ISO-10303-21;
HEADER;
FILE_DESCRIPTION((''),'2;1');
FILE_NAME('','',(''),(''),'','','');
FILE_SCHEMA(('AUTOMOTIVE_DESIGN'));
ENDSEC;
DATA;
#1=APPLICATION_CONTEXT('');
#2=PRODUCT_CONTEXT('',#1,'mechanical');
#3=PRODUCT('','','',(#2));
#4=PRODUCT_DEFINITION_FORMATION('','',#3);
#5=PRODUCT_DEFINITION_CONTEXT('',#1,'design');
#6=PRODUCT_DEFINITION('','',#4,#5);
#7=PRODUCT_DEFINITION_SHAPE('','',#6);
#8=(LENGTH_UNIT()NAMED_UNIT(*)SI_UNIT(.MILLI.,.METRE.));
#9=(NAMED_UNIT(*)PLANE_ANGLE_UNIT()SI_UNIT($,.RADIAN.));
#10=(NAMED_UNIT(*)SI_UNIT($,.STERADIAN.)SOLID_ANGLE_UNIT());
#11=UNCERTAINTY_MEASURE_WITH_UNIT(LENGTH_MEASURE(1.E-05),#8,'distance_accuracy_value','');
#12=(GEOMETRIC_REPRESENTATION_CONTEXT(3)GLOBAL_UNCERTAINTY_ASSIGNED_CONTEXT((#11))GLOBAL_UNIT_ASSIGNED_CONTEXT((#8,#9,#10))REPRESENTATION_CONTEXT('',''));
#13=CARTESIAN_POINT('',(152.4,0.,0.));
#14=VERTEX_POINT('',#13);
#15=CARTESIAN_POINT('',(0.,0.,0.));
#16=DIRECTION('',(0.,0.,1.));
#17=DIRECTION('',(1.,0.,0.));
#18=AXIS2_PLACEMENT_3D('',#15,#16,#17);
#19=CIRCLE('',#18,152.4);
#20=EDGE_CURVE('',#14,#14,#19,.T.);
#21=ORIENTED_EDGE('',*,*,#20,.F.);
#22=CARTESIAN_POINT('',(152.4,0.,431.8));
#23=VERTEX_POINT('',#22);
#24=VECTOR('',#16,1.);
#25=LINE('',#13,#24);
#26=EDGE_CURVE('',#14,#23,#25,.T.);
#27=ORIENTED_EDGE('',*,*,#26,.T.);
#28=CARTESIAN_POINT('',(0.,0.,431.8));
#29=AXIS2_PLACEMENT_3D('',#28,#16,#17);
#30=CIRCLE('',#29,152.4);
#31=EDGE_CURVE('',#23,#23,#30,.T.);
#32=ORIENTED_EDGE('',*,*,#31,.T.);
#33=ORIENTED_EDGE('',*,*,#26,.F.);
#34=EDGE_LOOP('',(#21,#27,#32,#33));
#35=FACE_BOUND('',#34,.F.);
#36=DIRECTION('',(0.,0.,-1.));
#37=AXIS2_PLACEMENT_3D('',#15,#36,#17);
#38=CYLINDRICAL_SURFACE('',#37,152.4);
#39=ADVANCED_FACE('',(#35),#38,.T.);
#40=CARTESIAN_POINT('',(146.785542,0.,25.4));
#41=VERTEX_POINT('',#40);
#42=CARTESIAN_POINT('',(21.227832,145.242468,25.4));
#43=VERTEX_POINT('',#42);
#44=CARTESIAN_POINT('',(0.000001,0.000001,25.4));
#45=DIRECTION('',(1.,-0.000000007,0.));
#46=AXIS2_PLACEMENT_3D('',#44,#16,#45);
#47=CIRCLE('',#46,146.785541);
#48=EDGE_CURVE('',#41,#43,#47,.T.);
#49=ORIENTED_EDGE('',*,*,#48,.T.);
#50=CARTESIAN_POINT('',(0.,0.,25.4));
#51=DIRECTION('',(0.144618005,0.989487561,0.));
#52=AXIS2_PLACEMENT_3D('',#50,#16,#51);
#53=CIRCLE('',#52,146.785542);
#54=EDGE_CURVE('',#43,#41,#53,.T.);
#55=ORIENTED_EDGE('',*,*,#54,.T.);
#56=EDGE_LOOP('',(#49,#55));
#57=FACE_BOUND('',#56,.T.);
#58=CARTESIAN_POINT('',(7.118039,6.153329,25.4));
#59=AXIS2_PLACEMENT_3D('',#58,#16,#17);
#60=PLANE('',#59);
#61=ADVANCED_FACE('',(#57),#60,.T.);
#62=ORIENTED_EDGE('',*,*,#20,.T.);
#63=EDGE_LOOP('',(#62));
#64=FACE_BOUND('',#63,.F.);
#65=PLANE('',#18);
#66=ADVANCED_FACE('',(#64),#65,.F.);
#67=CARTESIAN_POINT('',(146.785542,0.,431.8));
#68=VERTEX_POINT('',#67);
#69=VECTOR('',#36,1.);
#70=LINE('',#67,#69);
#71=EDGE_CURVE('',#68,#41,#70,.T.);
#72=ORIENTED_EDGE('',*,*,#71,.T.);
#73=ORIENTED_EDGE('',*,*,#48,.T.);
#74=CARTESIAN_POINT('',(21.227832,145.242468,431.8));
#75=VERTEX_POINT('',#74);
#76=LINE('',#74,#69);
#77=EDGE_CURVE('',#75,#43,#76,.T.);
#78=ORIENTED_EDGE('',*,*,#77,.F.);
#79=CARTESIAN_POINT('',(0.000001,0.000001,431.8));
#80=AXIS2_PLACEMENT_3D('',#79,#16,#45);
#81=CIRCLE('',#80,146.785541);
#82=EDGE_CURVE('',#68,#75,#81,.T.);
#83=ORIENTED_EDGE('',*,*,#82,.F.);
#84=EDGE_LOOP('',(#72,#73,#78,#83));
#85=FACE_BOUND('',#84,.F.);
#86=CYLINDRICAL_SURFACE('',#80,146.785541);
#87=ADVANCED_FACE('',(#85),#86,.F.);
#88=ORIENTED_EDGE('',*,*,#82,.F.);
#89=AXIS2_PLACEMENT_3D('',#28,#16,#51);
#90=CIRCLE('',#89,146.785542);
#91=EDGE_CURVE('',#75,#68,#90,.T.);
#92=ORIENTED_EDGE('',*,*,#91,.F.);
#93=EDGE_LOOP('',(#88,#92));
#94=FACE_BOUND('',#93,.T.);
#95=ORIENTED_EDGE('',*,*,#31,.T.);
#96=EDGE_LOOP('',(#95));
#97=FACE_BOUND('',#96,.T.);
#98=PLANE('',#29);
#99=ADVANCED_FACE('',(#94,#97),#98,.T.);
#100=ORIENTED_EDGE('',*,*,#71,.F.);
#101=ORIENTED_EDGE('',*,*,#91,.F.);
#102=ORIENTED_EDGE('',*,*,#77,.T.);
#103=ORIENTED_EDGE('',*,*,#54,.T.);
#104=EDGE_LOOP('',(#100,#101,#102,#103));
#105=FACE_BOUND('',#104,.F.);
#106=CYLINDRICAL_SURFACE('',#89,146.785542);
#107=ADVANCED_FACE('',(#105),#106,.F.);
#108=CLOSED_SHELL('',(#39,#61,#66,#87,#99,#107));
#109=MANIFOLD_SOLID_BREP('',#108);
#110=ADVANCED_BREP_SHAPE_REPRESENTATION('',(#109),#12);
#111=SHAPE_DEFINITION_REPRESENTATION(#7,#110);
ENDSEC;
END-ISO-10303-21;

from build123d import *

# Parameters (mm, degrees)
F0_R     = 152.4
F1_DEPTH = 431.8
F3_DEPTH = 406.4


with BuildPart() as f1:
    # F0 (on Top) → F1 (new body)
    with BuildSketch(Plane.XY):
        Circle(F0_R)
    extrude(amount=F1_DEPTH)

    # F2 (on face) → F3 (cut)
    with BuildSketch(Plane.XY.offset(431.8)):
        with BuildLine():
            ThreePointArc((146.785542, 0), (111.044888, 95.994939), (21.227832, 145.242468))
            ThreePointArc((21.227832, 145.242468), (-111.044888, -95.994939), (146.785542, 0))
        make_face()
    extrude(amount=-F3_DEPTH, mode=Mode.SUBTRACT)


solid = f1.part
